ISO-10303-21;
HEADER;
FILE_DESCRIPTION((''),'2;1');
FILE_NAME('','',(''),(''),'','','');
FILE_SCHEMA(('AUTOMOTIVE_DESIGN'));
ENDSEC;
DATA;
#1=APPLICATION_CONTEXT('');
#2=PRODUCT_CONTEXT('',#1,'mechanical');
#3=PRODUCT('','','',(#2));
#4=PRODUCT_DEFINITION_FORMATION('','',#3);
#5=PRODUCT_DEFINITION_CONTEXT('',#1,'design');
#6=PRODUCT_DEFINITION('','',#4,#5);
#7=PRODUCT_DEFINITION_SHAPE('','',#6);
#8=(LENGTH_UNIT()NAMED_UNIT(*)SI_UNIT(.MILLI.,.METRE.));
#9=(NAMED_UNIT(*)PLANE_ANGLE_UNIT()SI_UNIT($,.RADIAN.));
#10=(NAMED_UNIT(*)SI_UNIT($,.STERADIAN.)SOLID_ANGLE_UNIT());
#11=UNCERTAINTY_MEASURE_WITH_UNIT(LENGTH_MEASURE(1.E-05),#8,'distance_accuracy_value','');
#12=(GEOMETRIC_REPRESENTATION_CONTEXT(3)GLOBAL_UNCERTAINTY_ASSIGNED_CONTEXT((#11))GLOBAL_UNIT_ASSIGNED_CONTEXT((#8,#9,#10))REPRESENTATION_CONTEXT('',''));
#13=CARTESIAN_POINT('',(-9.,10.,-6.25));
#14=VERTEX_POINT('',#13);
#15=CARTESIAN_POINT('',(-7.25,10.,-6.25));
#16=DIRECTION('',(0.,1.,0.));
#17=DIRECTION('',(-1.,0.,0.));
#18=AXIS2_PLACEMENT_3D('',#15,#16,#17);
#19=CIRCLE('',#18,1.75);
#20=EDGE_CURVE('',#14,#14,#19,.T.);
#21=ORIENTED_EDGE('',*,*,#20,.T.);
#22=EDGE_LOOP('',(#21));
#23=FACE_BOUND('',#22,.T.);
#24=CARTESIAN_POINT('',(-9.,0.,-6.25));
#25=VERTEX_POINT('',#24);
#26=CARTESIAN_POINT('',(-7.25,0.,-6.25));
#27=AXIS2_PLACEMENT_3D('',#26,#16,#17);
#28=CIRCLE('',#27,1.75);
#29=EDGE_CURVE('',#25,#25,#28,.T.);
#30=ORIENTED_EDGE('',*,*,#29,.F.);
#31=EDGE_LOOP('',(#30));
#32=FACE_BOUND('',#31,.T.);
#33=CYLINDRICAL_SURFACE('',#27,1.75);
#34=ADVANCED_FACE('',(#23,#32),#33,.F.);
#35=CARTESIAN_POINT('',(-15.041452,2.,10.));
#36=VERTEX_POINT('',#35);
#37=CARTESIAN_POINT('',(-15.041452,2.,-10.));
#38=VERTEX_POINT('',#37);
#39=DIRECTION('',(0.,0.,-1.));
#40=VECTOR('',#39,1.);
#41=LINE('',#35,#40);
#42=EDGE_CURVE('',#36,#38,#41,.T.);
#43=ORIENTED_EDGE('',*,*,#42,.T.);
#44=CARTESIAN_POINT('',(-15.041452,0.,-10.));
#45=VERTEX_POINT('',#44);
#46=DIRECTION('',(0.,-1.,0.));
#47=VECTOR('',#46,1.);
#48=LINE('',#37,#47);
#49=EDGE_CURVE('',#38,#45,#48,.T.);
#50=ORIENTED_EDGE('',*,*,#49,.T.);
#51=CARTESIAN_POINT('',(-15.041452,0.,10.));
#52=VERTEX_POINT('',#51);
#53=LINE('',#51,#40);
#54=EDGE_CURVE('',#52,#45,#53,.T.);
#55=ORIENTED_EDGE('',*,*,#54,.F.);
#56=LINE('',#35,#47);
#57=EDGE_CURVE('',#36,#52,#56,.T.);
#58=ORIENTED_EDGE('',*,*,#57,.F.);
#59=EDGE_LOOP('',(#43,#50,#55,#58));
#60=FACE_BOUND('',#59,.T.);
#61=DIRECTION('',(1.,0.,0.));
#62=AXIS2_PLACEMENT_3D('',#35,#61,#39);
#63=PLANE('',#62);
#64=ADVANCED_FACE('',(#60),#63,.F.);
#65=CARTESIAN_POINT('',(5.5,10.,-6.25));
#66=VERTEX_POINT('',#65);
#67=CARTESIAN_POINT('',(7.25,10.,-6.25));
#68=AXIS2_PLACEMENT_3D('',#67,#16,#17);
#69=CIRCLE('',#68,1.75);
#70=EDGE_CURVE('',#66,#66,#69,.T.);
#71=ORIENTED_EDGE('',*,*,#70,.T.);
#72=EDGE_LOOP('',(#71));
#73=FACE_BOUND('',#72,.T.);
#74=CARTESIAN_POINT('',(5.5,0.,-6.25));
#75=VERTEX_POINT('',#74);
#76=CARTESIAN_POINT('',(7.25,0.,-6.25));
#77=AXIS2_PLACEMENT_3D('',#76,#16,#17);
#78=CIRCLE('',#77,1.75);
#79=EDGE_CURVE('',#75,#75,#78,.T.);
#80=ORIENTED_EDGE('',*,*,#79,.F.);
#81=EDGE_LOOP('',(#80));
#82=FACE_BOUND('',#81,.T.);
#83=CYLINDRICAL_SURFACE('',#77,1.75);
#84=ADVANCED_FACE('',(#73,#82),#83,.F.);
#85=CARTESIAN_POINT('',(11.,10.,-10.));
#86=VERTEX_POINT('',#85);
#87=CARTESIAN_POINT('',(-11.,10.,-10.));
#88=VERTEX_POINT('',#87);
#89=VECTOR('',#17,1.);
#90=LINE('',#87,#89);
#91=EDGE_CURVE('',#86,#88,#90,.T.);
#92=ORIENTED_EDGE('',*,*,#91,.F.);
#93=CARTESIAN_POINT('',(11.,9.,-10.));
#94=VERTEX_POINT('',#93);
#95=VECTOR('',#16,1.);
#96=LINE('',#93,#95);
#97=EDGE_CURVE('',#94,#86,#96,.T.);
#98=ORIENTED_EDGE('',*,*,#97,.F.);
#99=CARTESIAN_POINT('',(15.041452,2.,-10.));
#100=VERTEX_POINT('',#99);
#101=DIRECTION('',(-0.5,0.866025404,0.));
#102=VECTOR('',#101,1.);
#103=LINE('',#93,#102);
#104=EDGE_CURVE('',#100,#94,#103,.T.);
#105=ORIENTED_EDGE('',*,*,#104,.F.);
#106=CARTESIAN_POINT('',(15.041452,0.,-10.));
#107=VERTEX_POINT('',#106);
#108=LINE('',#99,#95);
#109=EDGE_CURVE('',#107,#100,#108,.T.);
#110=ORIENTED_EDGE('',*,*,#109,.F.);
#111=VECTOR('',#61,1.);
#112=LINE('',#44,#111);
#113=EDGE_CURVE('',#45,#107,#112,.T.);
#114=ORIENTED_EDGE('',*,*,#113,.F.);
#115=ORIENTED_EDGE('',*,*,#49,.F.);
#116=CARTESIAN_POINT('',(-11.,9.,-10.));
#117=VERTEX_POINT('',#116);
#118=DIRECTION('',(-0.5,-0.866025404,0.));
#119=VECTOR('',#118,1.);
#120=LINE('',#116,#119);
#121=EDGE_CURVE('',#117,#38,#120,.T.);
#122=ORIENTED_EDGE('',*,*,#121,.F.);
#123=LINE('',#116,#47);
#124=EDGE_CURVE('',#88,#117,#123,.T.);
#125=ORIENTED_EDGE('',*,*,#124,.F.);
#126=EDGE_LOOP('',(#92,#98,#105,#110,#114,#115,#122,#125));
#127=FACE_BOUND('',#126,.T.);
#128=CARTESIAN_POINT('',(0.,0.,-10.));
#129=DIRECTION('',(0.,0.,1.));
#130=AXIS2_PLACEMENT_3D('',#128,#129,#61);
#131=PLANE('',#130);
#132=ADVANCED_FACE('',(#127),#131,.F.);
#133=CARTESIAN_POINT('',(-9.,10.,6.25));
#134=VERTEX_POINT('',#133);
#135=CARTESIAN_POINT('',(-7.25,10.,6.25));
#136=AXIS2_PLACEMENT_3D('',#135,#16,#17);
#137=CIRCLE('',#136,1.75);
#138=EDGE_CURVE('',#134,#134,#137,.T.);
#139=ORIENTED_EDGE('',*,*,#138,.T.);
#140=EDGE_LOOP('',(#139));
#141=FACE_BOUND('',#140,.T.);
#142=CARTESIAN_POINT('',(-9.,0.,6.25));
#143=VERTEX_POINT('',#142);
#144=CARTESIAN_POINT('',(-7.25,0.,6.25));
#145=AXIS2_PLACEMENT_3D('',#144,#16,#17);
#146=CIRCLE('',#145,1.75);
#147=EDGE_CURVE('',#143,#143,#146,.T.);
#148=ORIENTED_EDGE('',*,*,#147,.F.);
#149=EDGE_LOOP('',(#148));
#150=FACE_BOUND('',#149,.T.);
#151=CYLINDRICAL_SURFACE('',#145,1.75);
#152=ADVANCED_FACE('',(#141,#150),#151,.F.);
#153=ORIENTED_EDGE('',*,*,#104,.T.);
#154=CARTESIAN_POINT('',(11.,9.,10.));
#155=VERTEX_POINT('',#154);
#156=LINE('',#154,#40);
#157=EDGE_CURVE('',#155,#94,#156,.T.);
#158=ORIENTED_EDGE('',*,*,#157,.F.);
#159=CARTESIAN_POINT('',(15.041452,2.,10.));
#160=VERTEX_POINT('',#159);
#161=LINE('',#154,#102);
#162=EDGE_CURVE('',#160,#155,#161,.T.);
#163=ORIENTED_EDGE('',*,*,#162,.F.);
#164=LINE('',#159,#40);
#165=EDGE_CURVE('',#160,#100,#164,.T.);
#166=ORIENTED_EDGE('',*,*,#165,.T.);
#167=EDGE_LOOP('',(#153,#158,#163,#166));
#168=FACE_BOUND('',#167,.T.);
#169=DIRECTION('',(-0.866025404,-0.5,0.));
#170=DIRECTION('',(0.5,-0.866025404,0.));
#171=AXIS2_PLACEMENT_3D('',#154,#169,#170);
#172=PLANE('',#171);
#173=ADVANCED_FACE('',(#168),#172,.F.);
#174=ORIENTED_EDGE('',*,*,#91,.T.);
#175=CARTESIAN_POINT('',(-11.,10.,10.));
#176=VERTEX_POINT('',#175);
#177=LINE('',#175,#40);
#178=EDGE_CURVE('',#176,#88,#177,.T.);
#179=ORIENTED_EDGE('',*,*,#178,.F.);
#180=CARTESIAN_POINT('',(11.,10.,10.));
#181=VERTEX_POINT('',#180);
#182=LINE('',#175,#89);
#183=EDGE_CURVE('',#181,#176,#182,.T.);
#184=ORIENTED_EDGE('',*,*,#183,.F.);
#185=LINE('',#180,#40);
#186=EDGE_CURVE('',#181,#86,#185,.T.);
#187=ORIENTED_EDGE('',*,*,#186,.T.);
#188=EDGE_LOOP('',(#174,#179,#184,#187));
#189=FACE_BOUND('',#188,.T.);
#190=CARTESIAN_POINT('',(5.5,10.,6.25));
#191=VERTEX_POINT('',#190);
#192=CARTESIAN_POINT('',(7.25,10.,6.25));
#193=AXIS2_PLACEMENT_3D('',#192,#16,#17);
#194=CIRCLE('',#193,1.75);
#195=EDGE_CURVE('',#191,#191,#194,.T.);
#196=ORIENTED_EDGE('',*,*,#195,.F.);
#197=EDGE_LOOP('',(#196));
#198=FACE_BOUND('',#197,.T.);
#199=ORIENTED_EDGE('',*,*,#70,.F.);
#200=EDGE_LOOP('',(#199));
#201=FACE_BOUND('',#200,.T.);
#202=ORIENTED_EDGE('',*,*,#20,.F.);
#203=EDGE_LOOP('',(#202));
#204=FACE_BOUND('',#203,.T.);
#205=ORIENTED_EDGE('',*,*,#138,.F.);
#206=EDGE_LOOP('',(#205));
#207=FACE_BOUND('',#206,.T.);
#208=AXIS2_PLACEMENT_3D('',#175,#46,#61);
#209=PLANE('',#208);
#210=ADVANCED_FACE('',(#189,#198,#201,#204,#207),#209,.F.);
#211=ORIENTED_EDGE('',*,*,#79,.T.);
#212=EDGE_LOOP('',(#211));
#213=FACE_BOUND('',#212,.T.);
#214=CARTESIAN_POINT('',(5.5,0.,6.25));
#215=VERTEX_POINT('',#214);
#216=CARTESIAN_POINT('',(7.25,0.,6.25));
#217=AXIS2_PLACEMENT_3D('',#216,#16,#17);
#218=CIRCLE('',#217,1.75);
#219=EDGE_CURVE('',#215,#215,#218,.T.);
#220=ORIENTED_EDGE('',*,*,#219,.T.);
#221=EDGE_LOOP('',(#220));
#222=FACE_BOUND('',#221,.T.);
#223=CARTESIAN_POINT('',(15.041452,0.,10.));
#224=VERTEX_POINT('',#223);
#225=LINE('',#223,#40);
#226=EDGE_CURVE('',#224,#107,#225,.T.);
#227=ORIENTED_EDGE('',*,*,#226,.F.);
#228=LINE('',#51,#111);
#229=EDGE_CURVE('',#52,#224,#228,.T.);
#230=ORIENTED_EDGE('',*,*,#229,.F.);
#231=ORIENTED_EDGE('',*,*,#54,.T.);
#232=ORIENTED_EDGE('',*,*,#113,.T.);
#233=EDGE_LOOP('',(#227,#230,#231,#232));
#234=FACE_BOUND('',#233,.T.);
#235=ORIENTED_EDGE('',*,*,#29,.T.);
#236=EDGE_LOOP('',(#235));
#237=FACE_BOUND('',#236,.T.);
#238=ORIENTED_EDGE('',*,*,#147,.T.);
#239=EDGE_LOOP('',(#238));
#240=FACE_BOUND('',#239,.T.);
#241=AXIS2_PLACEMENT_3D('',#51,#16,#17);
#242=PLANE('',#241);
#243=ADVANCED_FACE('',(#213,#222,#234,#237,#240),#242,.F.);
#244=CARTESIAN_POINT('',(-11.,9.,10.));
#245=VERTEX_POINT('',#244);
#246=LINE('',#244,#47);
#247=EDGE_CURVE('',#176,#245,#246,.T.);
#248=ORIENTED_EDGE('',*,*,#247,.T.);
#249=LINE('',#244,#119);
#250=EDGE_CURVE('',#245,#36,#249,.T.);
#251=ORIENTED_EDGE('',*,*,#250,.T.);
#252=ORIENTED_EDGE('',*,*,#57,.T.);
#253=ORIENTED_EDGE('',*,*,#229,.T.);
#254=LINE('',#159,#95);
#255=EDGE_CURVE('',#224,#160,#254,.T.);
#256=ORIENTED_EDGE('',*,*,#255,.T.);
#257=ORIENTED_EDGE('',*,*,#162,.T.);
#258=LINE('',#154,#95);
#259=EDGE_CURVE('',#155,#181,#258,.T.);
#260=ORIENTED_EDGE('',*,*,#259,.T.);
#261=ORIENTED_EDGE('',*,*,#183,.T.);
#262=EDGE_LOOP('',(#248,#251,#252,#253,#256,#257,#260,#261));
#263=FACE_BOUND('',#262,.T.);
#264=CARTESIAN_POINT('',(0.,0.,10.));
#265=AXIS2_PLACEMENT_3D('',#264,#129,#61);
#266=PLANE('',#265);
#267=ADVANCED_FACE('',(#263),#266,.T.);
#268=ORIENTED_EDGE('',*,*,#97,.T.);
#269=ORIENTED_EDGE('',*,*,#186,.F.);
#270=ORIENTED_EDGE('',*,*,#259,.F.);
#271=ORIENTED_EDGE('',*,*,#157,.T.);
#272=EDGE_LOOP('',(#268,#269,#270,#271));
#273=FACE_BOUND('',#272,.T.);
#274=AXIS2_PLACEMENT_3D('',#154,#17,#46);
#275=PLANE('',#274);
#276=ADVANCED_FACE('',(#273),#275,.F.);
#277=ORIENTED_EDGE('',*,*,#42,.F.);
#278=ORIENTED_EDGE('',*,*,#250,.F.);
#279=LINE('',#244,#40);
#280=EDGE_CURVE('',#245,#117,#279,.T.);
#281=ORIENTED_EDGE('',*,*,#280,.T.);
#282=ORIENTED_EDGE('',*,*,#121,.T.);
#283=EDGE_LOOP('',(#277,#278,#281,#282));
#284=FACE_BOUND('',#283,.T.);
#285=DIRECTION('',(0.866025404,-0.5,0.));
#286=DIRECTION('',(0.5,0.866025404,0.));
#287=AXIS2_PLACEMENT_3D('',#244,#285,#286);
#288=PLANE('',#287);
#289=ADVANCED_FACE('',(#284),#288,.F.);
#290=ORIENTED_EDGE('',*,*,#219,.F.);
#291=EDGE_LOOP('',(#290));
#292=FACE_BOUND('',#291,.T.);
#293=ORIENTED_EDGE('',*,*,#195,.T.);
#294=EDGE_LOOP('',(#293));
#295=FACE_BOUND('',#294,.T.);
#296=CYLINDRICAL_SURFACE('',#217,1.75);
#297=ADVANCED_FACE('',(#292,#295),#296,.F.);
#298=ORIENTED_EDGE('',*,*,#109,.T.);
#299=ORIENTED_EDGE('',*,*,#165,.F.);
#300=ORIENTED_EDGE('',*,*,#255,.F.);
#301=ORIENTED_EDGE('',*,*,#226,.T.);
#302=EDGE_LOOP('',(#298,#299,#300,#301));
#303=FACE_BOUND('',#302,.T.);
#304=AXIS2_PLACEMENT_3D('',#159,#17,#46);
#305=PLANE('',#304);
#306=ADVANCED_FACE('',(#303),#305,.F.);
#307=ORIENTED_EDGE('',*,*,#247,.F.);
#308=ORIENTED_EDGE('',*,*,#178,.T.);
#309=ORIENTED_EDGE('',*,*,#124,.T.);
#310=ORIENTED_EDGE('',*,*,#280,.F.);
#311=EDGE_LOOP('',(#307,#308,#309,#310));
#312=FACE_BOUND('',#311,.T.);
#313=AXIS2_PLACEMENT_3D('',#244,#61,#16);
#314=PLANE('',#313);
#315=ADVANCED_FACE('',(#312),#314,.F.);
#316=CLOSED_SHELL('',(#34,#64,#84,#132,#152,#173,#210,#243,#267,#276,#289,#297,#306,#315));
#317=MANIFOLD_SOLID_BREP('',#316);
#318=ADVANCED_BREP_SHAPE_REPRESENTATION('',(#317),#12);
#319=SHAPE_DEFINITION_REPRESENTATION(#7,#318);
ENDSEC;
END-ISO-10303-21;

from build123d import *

# Parameters (mm, degrees)
ESTRUSIONE_ESTRUSIONE1_DEPTH = 10
SCHIZZO2_R                   = 1.75
TAGLIO_ESTRUSIONE1_DEPTH     = 21.645708387


with BuildPart() as part:
    # Schizzo1 → Estrusione-Estrusione1 (new, symmetric)
    with BuildSketch(Plane.XY):
        Polygon((11, 9), (11, 10), (-11, 10), (-11, 9), (-15.041451884, 2), (-15.041451884, 0), (15.041451884, 0), (15.041451884, 2), align=None)
    extrude(amount=ESTRUSIONE_ESTRUSIONE1_DEPTH, both=True)

    # Schizzo2 → Taglio-Estrusione1 (cut, through all)
    with BuildSketch(Plane(origin=(0, 10, 0), x_dir=(1, 0, 0), z_dir=(0, 1, 0))):
        with Locations(Location((7.25, 6.25, 0), (0, 0, 180))):
            Circle(SCHIZZO2_R)
        with Locations(Location((-7.25, 6.25, 0), (0, 0, 180))):
            Circle(SCHIZZO2_R)
        with Locations(Location((-7.25, -6.25, 0), (0, 0, 180))):
            Circle(SCHIZZO2_R)
        with Locations(Location((7.25, -6.25, 0), (0, 0, 180))):
            Circle(SCHIZZO2_R)
    extrude(amount=-TAGLIO_ESTRUSIONE1_DEPTH, mode=Mode.SUBTRACT)


solid = part.part
